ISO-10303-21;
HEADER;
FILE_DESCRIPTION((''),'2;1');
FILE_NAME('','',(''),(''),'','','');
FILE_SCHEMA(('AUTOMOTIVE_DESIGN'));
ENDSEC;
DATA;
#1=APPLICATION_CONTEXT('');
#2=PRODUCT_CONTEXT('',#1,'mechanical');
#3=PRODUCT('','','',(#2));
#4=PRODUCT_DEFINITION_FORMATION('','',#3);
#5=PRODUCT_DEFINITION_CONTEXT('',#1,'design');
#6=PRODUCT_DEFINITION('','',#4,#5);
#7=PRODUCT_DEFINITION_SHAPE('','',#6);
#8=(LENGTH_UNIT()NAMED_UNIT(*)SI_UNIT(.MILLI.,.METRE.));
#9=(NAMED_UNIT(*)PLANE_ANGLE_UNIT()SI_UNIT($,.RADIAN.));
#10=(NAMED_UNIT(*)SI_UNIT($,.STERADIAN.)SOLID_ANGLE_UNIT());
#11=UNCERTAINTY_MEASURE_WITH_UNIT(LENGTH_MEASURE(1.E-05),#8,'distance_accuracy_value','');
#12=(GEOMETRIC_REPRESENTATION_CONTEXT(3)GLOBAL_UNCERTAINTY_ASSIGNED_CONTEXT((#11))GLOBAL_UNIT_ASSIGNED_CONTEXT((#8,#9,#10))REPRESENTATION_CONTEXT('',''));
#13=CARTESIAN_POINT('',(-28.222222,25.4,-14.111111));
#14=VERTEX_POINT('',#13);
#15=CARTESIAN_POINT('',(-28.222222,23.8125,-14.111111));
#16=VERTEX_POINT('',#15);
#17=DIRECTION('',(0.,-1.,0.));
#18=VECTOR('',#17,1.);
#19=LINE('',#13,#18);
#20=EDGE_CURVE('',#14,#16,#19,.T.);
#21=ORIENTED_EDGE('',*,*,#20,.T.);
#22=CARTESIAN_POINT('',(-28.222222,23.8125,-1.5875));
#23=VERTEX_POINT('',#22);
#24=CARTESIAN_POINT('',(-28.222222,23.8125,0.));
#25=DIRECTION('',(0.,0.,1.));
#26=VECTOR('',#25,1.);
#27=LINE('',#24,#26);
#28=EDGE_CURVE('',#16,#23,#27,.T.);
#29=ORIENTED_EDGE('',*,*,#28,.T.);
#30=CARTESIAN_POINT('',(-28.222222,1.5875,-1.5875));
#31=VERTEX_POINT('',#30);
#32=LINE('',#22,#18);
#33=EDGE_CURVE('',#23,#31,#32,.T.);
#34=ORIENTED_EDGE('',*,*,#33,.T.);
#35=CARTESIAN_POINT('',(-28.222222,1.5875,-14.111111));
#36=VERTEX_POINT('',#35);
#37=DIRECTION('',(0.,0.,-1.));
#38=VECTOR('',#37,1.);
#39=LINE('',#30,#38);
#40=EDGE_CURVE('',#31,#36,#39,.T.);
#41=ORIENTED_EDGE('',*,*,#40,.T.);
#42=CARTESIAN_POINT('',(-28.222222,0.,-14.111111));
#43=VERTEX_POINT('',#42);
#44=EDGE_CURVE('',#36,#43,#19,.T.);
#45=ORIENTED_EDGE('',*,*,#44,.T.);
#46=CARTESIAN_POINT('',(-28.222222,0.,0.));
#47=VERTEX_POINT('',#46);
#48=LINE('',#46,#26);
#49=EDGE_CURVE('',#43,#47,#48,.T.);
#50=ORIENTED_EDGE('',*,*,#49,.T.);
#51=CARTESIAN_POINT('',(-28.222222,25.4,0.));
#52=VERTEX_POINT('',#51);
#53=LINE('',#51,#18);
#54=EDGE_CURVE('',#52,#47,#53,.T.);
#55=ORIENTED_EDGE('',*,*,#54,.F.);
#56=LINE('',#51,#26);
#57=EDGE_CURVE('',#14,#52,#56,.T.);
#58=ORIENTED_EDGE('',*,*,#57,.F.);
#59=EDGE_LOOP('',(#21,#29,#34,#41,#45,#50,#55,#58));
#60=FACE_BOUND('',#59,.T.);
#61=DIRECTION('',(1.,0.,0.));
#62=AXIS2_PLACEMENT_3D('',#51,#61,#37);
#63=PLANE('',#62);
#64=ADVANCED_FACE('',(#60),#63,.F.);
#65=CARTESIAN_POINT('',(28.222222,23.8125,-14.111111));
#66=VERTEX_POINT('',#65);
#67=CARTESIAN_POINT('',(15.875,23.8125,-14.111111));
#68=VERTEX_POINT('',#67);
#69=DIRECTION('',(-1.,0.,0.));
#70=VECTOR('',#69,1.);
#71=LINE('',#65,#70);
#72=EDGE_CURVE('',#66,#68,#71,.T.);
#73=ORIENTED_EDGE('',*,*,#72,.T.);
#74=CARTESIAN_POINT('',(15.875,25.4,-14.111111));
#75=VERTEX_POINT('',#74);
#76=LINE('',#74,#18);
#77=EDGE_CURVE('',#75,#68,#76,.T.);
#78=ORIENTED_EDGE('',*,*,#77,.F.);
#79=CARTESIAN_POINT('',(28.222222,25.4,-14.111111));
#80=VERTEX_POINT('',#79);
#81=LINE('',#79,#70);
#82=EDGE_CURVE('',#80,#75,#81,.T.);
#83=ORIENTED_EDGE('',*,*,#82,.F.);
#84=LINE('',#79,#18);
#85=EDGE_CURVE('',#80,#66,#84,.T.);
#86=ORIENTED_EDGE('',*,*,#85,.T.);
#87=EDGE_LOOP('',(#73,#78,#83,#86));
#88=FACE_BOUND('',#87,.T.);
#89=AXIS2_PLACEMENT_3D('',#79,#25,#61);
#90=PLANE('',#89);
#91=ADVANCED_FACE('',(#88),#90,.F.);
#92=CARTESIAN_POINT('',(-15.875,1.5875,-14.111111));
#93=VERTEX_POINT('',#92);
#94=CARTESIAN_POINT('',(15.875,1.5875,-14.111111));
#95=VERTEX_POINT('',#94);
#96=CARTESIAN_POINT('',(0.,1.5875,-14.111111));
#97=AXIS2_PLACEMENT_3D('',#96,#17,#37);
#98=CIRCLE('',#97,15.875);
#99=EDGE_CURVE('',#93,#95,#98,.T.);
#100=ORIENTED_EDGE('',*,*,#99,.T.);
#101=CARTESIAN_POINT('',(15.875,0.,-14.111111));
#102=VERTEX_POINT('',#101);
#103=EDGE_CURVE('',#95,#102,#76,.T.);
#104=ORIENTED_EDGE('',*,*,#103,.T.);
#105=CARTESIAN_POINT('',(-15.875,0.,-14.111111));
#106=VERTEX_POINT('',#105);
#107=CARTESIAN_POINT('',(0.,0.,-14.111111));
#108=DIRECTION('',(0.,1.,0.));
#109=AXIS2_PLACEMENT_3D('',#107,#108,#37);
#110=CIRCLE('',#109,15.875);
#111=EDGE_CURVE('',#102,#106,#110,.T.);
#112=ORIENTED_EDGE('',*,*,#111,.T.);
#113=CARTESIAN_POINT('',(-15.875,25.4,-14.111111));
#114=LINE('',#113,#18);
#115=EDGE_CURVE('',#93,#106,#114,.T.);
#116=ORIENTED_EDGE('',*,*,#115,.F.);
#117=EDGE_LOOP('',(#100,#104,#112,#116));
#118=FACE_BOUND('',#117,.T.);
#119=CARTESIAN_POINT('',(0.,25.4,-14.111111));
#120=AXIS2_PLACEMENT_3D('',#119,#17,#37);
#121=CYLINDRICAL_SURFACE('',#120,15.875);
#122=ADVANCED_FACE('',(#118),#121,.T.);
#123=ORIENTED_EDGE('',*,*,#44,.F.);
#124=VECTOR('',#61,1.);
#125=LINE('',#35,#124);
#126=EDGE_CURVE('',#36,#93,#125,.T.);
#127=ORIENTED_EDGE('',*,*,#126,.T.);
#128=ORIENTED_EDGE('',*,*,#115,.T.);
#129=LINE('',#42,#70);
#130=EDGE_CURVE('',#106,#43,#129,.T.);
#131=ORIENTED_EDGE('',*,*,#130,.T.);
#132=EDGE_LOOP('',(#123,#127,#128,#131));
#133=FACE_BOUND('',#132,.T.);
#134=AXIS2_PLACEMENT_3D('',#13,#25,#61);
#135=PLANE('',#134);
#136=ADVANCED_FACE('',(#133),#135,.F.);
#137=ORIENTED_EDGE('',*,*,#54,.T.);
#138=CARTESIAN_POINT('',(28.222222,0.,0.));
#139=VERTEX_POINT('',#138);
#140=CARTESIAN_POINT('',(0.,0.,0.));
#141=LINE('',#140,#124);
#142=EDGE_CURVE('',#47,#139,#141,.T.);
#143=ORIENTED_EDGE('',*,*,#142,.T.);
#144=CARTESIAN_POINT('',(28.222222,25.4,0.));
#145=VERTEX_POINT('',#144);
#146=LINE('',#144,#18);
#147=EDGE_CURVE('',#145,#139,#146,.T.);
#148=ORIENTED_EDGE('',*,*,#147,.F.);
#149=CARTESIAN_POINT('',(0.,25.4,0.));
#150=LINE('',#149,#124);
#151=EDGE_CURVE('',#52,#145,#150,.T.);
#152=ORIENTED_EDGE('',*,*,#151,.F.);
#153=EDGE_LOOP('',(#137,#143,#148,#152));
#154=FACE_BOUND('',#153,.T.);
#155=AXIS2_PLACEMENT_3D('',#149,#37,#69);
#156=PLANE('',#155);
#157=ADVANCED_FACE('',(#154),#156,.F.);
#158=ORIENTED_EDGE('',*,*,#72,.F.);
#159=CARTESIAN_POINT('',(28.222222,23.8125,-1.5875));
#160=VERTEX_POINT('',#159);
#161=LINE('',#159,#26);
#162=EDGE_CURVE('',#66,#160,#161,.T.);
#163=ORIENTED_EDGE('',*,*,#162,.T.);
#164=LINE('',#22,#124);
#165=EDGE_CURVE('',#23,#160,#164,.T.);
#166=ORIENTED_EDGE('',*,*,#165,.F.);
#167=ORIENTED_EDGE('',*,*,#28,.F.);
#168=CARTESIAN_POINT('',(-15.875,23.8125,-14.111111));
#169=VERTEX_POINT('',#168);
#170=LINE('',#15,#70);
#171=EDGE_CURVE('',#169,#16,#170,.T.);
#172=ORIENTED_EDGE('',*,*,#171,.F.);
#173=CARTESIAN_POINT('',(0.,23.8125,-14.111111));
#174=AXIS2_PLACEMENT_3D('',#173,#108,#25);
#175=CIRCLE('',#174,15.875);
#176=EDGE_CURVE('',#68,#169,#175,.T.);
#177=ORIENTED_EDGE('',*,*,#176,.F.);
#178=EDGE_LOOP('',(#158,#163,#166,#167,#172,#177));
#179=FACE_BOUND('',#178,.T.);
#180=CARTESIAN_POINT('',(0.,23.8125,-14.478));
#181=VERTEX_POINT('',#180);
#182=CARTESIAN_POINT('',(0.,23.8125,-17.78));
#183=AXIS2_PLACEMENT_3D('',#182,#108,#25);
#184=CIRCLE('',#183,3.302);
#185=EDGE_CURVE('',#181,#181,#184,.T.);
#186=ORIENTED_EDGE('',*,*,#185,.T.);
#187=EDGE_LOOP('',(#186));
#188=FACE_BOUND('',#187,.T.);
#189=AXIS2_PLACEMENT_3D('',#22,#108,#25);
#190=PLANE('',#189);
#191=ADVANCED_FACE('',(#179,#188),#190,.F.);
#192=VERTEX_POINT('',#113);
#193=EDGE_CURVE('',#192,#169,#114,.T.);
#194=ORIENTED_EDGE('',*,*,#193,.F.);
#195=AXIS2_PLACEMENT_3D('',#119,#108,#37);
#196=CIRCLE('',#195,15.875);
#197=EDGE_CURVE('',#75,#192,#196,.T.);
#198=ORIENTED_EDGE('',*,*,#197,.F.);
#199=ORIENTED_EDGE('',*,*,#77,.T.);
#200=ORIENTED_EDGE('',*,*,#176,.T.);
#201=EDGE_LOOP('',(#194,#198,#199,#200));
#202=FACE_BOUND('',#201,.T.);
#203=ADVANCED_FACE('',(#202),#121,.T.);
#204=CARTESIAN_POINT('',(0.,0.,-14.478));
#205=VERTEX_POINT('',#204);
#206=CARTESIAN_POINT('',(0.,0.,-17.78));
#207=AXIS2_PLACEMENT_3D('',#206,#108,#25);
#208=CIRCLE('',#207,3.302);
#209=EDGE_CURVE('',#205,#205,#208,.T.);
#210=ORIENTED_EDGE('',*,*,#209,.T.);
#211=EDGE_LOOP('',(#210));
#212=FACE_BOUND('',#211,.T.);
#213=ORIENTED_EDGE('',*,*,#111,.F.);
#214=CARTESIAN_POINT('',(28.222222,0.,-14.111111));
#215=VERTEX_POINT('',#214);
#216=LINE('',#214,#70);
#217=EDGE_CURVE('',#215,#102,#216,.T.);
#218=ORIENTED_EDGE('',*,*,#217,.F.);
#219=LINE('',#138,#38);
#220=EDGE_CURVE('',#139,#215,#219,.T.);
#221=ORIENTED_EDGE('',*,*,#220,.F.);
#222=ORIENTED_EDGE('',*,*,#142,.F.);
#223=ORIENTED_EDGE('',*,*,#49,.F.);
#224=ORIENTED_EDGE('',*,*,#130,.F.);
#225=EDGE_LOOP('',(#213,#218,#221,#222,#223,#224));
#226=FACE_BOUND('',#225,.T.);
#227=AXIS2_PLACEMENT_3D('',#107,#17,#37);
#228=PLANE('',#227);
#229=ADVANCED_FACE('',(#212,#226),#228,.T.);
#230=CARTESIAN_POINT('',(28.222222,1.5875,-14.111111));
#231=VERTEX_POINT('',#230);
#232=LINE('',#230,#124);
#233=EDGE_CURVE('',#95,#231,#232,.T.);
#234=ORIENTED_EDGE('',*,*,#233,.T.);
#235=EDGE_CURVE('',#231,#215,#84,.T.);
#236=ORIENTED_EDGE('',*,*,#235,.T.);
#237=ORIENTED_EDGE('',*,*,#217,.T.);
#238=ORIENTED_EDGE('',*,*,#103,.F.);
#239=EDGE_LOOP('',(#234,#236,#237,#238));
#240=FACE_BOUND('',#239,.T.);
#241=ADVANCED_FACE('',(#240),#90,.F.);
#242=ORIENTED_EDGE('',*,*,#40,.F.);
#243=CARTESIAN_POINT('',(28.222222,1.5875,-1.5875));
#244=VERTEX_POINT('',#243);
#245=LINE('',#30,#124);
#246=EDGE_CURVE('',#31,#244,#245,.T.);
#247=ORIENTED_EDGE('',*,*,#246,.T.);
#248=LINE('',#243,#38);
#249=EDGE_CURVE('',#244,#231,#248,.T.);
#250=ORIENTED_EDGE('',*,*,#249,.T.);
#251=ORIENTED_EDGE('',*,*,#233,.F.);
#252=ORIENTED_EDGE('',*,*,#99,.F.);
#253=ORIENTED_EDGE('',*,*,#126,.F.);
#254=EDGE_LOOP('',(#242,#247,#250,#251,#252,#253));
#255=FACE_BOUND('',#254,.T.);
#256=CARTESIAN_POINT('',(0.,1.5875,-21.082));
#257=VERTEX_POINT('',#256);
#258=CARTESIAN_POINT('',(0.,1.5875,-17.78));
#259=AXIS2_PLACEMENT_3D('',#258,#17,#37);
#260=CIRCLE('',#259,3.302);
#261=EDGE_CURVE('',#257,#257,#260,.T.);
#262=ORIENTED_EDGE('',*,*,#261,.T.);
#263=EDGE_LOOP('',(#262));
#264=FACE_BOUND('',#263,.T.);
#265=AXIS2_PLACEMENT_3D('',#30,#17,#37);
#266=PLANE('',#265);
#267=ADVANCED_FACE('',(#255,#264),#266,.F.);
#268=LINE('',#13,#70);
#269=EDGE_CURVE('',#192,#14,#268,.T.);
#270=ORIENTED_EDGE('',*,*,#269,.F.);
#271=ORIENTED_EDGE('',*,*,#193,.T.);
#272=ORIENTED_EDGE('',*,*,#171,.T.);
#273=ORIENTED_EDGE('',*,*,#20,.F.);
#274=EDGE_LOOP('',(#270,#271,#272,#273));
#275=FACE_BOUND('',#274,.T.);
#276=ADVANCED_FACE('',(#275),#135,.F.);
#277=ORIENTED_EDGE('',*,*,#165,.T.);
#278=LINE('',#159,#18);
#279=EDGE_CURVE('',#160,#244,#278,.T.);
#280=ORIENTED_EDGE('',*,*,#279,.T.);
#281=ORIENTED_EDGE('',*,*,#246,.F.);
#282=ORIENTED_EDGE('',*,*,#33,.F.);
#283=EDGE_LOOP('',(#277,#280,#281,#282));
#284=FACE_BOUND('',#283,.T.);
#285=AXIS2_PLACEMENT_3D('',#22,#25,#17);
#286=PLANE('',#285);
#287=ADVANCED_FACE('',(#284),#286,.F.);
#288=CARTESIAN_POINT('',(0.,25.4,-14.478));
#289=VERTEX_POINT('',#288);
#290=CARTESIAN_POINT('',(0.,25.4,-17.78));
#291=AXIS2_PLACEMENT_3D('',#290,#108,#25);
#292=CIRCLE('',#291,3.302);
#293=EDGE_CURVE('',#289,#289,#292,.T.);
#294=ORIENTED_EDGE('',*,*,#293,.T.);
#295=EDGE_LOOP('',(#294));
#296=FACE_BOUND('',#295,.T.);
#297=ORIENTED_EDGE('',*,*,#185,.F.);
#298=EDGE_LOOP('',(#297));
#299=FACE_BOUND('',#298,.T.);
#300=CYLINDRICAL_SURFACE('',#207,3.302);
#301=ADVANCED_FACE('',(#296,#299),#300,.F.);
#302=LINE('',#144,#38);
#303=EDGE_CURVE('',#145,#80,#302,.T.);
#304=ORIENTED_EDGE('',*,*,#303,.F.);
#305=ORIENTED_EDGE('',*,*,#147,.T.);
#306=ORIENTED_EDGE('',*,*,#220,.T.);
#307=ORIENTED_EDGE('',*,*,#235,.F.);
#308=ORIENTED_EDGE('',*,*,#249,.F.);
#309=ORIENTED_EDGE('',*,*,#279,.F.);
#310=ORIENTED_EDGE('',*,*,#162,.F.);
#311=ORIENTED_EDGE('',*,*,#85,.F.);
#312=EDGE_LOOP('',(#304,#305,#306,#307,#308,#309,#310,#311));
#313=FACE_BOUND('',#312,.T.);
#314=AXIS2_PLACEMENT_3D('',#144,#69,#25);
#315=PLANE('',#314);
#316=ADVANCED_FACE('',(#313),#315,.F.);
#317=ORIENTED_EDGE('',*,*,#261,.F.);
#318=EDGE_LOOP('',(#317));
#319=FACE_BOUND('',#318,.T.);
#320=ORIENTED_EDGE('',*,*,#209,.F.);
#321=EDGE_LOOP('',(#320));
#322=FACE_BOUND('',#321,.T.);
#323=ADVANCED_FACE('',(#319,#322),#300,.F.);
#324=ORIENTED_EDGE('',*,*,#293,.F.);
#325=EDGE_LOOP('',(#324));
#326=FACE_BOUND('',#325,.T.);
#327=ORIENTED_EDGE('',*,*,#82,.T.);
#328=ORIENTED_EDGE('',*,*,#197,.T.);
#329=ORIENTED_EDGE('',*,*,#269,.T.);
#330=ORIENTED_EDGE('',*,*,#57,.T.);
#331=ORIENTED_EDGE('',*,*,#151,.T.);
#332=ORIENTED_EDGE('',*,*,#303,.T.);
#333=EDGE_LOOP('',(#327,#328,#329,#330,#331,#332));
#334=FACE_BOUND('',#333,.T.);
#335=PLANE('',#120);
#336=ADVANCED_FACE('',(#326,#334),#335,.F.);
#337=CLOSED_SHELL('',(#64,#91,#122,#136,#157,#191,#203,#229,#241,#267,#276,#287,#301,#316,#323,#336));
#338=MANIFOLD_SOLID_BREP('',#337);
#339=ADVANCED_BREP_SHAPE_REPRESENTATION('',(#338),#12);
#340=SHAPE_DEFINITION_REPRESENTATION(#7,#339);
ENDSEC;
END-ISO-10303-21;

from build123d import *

# Parameters (mm, degrees)
BOSS_EXTRUDE2_DEPTH = 25.4
SKETCH3_W           = 61.065778348
SKETCH3_H           = 22.225
CUT_EXTRUDE2_DEPTH  = 69.777192209
SKETCH4_R           = 3.302
CUT_EXTRUDE3_DEPTH  = 49.382028551


with BuildPart() as part:
    # Sketch1 → Boss-Extrude2 (new body)
    with BuildSketch(Plane(origin=(0, 0, 0), x_dir=(1, 0, 0), z_dir=(0, 1, 0))):
        with BuildLine():
            Line((0, 0), (28.222222222, 0))
            Line((28.222222222, 0), (28.222222222, 14.111111111))
            Line((28.222222222, 14.111111111), (15.875, 14.111111111))
            ThreePointArc((15.875, 14.111111111), (0, 29.986111111), (-15.875, 14.111111111))
            Line((-15.875, 14.111111111), (-28.222222222, 14.111111111))
            Line((-28.222222222, 14.111111111), (-28.222222222, 0))
            Line((-28.222222222, 0), (0, 0))
        make_face()
    extrude(amount=BOSS_EXTRUDE2_DEPTH)

    # Sketch3 → Cut-Extrude2 (cut, through all)
    with BuildSketch(Plane(origin=(28.222222222, 0, 0), x_dir=(0, 0, -1), z_dir=(1, 0, 0))):
        with Locations((32.120389174, 12.7)):
            Rectangle(SKETCH3_W, SKETCH3_H)
    extrude(amount=-CUT_EXTRUDE2_DEPTH, mode=Mode.SUBTRACT)

    # Sketch4 → Cut-Extrude3 (cut, through all)
    with BuildSketch(Plane(origin=(0, 25.4, 0), x_dir=(1, 0, 0), z_dir=(0, 1, 0))):
        with Locations(Location((0, 17.78, 0), (0, 0, 270))):
            Circle(SKETCH4_R)
    extrude(amount=-CUT_EXTRUDE3_DEPTH, mode=Mode.SUBTRACT)


solid = part.part
